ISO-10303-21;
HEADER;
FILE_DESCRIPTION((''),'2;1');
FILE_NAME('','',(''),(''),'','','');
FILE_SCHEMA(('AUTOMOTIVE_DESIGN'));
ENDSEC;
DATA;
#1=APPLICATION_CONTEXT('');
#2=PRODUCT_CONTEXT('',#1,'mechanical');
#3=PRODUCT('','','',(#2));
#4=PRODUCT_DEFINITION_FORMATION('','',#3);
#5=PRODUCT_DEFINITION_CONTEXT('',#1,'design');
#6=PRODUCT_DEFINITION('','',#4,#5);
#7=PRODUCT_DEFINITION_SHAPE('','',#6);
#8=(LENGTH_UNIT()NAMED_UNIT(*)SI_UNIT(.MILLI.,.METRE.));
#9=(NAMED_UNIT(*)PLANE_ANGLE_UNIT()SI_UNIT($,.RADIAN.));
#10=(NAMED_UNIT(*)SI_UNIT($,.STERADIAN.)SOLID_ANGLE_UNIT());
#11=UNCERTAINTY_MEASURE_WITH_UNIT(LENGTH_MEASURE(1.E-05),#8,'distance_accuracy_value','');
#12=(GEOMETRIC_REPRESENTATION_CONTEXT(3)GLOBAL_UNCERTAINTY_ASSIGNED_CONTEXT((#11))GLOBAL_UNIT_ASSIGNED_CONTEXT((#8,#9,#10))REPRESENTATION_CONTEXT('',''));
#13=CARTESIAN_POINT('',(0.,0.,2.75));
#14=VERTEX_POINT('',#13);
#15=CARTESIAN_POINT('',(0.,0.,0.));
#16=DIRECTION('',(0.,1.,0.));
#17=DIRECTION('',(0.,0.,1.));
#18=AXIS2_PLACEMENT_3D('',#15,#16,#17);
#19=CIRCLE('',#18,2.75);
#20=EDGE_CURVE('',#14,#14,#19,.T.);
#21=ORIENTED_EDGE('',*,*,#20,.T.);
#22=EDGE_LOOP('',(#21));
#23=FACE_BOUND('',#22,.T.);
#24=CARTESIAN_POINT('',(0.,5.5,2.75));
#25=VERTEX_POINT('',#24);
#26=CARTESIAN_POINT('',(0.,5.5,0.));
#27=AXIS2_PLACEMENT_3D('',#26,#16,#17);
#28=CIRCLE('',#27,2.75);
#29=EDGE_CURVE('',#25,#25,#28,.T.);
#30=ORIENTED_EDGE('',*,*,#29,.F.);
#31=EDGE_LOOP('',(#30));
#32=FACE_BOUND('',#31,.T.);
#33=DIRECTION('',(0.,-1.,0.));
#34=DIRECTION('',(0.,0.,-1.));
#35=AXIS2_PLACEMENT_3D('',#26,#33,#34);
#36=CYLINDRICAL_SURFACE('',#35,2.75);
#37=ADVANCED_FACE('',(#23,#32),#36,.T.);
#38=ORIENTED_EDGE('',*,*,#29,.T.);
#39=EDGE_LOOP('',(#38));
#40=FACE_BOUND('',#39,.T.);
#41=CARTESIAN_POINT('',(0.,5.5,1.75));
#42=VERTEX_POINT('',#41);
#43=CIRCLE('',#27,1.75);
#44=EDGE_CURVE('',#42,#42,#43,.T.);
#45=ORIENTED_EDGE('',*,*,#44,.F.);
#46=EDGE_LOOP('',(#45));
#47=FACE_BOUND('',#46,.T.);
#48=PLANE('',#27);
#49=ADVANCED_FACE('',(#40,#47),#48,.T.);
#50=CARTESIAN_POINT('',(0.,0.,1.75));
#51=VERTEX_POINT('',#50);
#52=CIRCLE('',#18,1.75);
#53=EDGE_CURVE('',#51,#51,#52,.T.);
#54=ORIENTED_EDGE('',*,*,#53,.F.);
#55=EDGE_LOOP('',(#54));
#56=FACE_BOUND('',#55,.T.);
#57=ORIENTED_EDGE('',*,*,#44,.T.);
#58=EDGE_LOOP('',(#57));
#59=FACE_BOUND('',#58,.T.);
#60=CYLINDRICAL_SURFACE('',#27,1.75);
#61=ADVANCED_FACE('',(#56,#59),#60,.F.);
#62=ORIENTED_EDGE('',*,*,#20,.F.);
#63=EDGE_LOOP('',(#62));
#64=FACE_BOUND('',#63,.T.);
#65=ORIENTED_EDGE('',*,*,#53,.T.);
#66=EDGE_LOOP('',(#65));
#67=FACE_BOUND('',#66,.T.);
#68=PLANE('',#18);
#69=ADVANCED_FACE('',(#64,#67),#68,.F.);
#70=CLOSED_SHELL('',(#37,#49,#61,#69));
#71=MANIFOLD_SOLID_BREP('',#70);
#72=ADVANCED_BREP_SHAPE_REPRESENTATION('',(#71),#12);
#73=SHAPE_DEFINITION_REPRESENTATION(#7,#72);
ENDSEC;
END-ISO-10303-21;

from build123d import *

# Parameters (mm, degrees)
SKETCH1_R                            = 2.75
BOSS_EXTRUDE1_DEPTH                  = 5.5
F_3_5_3_5_DIAMETER_HOLE1_D           = 3.5
F_3_5_3_5_DIAMETER_HOLE1_ON_FACE_2_D = 3.5


with BuildPart() as part:
    # Sketch1 → Boss-Extrude1 (new body)
    with BuildSketch(Plane(origin=(0, 0, 0), x_dir=(1, 0, 0), z_dir=(0, 1, 0))):
        with Locations(Location((0, 0, 0), (0, 0, 270))):
            Circle(SKETCH1_R)
    extrude(amount=BOSS_EXTRUDE1_DEPTH)

    # Ø3.5 (3.5) Diameter Hole1 (through all)
    with Locations(Plane(origin=(0, 0, 0), x_dir=(0, 0, -1), z_dir=(0, -1, 0))):
        with Locations((0, 0)):
            Hole(F_3_5_3_5_DIAMETER_HOLE1_D / 2)

    # Ø3.5 (3.5) Diameter Hole1 on face 2 (through all)
    with Locations(Plane.ZX.offset(5.5)):
        with Locations((0, 0)):
            Hole(F_3_5_3_5_DIAMETER_HOLE1_ON_FACE_2_D / 2)


solid = part.part
